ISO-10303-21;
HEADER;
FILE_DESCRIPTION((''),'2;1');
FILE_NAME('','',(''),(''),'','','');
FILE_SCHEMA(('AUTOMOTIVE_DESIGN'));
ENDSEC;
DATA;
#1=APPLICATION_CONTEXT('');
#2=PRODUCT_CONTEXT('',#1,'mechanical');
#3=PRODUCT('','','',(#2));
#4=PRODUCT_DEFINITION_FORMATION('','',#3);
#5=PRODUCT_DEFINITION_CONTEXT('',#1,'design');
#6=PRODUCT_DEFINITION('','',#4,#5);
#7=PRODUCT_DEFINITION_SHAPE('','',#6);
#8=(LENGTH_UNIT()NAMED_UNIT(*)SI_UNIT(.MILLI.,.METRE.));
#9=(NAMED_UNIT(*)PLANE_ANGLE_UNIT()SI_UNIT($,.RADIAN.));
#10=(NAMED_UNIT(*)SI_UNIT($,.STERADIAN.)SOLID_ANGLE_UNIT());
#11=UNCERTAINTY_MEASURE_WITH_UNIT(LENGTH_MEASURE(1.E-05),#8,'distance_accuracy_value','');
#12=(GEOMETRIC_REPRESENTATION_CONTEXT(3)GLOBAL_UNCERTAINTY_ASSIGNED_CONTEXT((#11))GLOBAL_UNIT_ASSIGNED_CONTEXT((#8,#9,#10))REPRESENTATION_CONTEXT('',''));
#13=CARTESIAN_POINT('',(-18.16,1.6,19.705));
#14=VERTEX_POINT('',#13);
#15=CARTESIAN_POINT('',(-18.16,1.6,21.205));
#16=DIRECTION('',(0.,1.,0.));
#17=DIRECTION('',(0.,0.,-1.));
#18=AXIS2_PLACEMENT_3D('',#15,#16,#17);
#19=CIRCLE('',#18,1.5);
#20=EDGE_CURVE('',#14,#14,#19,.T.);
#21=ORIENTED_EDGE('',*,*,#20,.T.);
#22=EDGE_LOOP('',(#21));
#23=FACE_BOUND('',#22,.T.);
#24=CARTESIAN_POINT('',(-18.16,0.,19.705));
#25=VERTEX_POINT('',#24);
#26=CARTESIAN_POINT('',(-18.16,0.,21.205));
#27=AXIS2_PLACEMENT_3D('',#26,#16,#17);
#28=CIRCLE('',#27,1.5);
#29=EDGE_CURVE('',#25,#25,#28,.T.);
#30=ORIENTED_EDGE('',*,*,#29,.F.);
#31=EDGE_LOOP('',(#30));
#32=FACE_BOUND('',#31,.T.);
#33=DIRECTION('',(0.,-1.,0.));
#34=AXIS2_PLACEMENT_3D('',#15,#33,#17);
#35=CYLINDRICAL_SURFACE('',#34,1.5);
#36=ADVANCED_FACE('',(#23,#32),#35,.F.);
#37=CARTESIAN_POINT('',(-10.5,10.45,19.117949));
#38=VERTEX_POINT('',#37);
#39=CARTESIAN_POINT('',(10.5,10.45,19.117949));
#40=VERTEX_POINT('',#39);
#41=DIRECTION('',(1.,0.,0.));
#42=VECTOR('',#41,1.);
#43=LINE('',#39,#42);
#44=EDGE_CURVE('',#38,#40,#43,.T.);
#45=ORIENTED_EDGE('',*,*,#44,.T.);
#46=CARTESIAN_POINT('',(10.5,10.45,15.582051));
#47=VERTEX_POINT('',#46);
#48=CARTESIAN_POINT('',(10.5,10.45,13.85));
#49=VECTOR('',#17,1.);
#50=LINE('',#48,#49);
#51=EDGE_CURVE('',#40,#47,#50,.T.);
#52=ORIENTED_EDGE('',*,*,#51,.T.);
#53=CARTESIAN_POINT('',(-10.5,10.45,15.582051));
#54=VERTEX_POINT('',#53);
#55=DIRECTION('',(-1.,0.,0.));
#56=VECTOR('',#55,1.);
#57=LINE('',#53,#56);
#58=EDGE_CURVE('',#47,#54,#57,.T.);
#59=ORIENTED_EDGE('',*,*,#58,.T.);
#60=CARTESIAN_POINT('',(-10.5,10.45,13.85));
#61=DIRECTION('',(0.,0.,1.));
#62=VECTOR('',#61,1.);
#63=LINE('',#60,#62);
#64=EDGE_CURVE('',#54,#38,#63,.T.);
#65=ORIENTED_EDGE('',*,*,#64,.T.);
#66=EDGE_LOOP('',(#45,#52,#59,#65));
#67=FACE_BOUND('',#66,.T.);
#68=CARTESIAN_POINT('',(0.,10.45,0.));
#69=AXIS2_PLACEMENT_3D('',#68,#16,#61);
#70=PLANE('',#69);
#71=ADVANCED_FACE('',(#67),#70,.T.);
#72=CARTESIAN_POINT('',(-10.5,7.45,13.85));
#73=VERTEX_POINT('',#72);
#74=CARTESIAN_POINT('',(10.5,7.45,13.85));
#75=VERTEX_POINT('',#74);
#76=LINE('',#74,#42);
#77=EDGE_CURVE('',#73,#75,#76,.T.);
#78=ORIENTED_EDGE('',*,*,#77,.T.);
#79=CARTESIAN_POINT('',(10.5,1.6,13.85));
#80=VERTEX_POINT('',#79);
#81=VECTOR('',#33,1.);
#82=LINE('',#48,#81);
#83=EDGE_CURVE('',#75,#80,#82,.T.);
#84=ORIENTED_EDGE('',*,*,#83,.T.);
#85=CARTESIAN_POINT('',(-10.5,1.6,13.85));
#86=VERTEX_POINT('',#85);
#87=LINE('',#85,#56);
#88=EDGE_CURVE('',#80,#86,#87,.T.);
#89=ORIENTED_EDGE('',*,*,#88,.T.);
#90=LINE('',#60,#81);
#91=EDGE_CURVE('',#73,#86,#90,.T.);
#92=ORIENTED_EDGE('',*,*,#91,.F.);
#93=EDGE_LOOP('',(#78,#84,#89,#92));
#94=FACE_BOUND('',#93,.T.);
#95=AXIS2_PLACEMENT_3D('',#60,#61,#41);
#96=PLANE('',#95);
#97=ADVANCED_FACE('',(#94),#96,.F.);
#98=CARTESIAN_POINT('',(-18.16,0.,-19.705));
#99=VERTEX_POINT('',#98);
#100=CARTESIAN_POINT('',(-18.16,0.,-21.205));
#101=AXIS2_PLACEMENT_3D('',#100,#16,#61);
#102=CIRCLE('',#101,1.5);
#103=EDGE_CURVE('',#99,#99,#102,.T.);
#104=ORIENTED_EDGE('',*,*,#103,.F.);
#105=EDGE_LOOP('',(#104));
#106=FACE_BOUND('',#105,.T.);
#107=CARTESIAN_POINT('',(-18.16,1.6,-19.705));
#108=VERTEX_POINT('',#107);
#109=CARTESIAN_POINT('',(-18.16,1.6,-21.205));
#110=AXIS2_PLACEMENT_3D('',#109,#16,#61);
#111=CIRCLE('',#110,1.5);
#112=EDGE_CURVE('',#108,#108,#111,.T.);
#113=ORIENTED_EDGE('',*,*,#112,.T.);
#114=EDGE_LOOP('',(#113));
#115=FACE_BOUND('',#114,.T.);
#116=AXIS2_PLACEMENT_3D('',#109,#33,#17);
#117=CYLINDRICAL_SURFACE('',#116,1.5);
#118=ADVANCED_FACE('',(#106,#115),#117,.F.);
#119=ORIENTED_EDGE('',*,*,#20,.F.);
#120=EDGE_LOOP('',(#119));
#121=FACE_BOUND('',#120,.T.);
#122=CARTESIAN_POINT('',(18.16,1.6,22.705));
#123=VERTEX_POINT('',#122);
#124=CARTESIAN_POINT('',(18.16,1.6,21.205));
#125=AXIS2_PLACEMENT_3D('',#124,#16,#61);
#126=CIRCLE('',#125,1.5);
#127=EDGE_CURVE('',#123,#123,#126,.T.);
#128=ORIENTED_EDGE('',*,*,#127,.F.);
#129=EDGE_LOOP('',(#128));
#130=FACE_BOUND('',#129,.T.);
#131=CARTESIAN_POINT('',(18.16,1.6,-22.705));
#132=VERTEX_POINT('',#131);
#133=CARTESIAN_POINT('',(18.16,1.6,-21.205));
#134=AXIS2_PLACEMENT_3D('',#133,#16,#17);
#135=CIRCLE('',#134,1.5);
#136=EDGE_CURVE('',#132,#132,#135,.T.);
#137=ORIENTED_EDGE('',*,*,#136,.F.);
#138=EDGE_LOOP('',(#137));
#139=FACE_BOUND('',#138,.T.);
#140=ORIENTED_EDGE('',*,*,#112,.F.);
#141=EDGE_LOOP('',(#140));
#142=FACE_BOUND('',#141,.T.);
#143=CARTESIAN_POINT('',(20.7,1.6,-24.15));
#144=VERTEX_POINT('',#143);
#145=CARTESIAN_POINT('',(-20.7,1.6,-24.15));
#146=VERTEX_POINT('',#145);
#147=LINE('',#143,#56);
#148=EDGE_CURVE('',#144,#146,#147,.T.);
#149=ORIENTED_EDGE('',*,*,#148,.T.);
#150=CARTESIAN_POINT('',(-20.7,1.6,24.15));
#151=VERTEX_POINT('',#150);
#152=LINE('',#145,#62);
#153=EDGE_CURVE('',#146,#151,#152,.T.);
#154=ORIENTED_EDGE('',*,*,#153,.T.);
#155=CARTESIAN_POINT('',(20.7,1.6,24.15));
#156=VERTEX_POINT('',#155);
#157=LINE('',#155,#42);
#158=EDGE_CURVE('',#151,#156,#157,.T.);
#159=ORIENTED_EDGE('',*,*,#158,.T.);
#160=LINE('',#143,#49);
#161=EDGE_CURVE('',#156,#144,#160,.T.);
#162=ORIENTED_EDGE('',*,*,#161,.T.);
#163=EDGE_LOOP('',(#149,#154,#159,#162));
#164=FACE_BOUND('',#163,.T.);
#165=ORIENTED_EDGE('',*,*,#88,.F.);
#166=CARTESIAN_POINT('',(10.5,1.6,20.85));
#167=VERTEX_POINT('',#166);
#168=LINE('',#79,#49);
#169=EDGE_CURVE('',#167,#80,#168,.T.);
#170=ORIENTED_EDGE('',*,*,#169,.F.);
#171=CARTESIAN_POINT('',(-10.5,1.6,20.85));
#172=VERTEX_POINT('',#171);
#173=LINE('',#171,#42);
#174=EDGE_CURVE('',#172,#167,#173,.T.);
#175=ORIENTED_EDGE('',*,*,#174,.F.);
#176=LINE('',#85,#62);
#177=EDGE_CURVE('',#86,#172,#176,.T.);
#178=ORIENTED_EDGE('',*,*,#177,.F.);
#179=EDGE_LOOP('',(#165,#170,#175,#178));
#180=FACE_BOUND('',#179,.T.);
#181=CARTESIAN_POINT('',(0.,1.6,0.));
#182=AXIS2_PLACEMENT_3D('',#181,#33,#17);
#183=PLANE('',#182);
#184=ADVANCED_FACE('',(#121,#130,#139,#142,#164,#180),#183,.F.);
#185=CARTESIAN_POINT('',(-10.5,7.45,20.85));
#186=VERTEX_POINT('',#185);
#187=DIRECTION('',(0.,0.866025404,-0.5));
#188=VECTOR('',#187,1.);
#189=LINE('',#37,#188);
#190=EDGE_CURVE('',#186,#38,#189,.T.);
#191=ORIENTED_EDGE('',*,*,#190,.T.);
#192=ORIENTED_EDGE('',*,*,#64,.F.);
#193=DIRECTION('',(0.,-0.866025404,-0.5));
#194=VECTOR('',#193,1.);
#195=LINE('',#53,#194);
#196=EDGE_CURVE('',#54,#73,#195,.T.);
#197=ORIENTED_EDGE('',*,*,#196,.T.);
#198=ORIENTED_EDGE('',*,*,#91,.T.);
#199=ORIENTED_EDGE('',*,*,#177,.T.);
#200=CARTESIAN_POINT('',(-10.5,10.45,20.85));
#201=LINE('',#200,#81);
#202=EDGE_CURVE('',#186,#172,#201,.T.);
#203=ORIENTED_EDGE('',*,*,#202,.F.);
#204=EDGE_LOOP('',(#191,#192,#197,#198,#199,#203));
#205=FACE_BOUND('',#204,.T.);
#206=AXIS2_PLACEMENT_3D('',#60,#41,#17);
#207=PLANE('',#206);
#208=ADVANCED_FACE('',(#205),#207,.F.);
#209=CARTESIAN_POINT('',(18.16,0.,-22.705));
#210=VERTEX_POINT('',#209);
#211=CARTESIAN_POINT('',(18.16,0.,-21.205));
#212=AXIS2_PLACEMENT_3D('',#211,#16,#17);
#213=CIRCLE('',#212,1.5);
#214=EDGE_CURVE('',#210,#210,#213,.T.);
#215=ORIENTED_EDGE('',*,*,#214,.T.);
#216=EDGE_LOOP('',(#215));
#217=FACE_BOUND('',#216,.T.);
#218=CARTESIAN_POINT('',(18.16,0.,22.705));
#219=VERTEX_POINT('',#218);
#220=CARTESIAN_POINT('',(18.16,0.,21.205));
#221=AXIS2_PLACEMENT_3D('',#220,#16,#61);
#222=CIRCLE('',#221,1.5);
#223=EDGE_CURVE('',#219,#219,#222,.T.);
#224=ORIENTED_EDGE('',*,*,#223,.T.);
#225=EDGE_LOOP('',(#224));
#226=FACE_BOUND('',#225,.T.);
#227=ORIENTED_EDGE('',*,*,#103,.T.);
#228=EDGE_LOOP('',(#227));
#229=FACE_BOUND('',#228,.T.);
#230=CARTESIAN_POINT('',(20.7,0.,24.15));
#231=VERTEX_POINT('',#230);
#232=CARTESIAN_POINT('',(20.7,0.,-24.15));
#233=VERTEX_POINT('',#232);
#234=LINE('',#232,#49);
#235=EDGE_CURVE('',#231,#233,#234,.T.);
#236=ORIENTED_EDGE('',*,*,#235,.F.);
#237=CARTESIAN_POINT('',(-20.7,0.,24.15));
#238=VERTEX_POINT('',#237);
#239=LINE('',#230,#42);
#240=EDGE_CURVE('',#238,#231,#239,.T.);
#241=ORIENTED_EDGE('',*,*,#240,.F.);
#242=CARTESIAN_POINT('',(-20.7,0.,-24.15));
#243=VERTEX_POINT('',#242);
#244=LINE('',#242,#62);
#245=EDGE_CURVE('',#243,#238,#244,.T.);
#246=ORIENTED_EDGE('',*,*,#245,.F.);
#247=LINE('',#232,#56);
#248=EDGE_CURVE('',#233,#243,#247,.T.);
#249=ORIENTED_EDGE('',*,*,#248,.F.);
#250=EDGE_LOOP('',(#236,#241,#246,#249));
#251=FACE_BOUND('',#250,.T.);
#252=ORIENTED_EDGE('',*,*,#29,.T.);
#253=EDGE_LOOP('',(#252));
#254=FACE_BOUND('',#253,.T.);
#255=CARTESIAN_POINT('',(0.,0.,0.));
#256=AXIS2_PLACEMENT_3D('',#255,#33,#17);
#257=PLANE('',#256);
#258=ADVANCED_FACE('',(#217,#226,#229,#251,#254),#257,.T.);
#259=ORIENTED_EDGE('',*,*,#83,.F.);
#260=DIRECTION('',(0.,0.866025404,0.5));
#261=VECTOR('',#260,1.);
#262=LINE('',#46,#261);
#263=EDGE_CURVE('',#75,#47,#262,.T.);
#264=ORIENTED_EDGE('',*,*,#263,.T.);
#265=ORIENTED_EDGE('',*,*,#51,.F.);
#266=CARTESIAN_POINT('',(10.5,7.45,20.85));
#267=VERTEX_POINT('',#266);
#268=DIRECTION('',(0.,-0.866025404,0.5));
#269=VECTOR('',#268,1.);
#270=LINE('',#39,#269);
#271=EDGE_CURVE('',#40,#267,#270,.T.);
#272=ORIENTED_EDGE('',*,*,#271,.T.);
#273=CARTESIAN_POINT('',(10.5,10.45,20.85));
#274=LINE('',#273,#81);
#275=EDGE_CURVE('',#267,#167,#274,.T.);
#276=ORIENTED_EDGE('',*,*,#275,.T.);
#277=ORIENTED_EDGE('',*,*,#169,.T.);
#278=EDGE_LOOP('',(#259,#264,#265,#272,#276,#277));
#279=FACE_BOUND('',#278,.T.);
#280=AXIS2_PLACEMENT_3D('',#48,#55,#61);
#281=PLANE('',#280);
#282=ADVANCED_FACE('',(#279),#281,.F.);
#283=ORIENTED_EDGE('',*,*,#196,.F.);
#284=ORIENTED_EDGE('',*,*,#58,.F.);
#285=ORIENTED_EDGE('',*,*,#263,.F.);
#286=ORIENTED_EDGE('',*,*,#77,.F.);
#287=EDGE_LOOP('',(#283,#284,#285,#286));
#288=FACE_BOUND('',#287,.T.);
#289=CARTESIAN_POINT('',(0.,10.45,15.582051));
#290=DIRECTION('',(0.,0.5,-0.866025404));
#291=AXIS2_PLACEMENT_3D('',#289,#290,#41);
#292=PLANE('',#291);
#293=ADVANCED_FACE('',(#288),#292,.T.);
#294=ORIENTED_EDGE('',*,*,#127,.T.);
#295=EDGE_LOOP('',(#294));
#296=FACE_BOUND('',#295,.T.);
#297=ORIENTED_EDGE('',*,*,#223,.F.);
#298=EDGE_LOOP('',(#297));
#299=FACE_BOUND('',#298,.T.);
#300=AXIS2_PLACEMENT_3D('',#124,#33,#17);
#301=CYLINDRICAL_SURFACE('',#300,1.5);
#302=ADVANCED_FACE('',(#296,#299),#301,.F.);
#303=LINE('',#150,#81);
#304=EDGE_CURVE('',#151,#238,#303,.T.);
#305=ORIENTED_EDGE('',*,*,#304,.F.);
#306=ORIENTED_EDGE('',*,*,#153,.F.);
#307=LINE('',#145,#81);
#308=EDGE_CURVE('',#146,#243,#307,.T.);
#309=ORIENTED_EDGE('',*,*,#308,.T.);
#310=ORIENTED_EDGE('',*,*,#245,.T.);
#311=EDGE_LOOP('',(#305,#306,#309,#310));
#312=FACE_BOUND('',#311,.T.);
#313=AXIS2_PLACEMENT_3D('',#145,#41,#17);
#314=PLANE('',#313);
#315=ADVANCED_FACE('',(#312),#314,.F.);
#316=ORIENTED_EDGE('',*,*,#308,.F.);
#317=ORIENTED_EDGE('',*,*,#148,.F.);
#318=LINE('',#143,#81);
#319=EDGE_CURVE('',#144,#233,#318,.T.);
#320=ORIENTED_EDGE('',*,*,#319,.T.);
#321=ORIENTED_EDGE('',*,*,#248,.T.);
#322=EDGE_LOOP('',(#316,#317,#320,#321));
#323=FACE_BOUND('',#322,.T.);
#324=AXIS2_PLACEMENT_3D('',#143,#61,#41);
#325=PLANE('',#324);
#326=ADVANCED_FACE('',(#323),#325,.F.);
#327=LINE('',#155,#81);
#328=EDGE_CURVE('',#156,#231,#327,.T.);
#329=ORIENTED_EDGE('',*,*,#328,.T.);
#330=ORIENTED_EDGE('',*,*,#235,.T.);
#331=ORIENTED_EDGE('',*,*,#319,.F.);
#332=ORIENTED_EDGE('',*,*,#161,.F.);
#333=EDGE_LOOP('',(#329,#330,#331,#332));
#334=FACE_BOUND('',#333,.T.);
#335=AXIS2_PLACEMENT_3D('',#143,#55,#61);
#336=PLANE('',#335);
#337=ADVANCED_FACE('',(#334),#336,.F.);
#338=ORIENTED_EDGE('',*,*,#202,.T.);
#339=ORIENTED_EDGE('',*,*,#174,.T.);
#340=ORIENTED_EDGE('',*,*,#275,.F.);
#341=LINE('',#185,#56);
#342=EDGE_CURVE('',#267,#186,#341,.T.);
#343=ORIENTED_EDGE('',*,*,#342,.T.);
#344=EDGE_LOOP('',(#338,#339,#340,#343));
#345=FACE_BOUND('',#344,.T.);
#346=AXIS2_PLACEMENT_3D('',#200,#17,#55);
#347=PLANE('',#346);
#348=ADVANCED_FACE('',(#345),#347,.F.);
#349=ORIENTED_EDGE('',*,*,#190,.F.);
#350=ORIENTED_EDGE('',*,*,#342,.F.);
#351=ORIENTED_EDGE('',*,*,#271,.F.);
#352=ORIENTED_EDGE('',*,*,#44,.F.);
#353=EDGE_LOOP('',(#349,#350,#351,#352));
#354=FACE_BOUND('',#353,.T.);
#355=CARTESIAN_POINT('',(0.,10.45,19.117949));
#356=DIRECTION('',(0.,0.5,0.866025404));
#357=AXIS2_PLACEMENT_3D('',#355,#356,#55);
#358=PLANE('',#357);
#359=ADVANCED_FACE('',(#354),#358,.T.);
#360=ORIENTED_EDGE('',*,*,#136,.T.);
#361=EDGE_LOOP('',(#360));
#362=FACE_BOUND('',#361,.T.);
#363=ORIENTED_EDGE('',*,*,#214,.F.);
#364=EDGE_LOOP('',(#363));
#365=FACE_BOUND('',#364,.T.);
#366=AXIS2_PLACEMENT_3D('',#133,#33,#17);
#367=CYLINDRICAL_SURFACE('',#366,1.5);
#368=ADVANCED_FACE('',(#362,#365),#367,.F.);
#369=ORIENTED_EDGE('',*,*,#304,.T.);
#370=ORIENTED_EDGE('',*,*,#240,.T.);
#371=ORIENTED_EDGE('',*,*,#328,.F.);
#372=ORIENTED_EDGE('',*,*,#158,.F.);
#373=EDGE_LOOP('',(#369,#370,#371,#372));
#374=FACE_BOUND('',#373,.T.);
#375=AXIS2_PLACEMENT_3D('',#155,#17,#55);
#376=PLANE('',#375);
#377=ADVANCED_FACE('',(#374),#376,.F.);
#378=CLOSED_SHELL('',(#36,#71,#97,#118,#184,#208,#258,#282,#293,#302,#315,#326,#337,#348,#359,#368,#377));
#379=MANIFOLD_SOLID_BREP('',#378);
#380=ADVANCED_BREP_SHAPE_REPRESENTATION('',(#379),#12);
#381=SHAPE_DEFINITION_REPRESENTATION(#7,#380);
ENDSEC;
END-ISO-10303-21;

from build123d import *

# Parameters (mm, degrees)
SKETCH1_W             = 41.4
SKETCH1_H             = 48.3
SKETCH1_R             = 1.5
BOSS_EXTRUDE1_DEPTH   = 1.6
SKETCH2_W             = 21
SKETCH2_H             = 7
BOSS_EXTRUDE2_DEPTH   = 8.85
CHAMFER1_SIZE         = 3
CHAMFER1_SIZE2        = 1.732050808
CHAMFER1_PART_2_SIZE  = 3
CHAMFER1_PART_2_SIZE2 = 1.732050808


with BuildPart() as part:
    # Sketch1 → Boss-Extrude1 (new body)
    with BuildSketch(Plane(origin=(0, 0, 0), x_dir=(1, 0, 0), z_dir=(0, 1, 0))):
        Rectangle(SKETCH1_W, SKETCH1_H)
        with Locations((-18.16, 21.205)):
            Circle(SKETCH1_R, mode=Mode.SUBTRACT)
        with Locations((18.16, 21.205)):
            Circle(SKETCH1_R, mode=Mode.SUBTRACT)
        with Locations((18.16, -21.205)):
            Circle(SKETCH1_R, mode=Mode.SUBTRACT)
        with Locations((-18.16, -21.205)):
            Circle(SKETCH1_R, mode=Mode.SUBTRACT)
    extrude(amount=BOSS_EXTRUDE1_DEPTH)

    # Sketch2 → Boss-Extrude2 (add)
    with BuildSketch(Plane(origin=(0, 1.6, 0), x_dir=(1, 0, 0), z_dir=(0, 1, 0))):
        with Locations((0, -17.35)):
            Rectangle(SKETCH2_W, SKETCH2_H)
    extrude(amount=BOSS_EXTRUDE2_DEPTH)

    # Chamfer1
    chamfer1_edges = [part.edges().sort_by_distance(p)[0] for p in [
        (0, 10.45, 13.85),
    ]]
    chamfer1_side = [part.faces().sort_by_distance(p)[0] for p in [
        (0, 6.025, 13.85),
    ]]
    chamfer(chamfer1_edges, length=CHAMFER1_SIZE, length2=CHAMFER1_SIZE2, reference=chamfer1_side[0])

    # Chamfer1 part 2
    chamfer1_part_2_edges = [part.edges().sort_by_distance(p)[0] for p in [
        (0, 10.45, 20.85),
    ]]
    chamfer1_part_2_side = [part.faces().sort_by_distance(p)[0] for p in [
        (0, 6.025, 20.85),
    ]]
    chamfer(chamfer1_part_2_edges, length=CHAMFER1_PART_2_SIZE, length2=CHAMFER1_PART_2_SIZE2, reference=chamfer1_part_2_side[0])


solid = part.part
